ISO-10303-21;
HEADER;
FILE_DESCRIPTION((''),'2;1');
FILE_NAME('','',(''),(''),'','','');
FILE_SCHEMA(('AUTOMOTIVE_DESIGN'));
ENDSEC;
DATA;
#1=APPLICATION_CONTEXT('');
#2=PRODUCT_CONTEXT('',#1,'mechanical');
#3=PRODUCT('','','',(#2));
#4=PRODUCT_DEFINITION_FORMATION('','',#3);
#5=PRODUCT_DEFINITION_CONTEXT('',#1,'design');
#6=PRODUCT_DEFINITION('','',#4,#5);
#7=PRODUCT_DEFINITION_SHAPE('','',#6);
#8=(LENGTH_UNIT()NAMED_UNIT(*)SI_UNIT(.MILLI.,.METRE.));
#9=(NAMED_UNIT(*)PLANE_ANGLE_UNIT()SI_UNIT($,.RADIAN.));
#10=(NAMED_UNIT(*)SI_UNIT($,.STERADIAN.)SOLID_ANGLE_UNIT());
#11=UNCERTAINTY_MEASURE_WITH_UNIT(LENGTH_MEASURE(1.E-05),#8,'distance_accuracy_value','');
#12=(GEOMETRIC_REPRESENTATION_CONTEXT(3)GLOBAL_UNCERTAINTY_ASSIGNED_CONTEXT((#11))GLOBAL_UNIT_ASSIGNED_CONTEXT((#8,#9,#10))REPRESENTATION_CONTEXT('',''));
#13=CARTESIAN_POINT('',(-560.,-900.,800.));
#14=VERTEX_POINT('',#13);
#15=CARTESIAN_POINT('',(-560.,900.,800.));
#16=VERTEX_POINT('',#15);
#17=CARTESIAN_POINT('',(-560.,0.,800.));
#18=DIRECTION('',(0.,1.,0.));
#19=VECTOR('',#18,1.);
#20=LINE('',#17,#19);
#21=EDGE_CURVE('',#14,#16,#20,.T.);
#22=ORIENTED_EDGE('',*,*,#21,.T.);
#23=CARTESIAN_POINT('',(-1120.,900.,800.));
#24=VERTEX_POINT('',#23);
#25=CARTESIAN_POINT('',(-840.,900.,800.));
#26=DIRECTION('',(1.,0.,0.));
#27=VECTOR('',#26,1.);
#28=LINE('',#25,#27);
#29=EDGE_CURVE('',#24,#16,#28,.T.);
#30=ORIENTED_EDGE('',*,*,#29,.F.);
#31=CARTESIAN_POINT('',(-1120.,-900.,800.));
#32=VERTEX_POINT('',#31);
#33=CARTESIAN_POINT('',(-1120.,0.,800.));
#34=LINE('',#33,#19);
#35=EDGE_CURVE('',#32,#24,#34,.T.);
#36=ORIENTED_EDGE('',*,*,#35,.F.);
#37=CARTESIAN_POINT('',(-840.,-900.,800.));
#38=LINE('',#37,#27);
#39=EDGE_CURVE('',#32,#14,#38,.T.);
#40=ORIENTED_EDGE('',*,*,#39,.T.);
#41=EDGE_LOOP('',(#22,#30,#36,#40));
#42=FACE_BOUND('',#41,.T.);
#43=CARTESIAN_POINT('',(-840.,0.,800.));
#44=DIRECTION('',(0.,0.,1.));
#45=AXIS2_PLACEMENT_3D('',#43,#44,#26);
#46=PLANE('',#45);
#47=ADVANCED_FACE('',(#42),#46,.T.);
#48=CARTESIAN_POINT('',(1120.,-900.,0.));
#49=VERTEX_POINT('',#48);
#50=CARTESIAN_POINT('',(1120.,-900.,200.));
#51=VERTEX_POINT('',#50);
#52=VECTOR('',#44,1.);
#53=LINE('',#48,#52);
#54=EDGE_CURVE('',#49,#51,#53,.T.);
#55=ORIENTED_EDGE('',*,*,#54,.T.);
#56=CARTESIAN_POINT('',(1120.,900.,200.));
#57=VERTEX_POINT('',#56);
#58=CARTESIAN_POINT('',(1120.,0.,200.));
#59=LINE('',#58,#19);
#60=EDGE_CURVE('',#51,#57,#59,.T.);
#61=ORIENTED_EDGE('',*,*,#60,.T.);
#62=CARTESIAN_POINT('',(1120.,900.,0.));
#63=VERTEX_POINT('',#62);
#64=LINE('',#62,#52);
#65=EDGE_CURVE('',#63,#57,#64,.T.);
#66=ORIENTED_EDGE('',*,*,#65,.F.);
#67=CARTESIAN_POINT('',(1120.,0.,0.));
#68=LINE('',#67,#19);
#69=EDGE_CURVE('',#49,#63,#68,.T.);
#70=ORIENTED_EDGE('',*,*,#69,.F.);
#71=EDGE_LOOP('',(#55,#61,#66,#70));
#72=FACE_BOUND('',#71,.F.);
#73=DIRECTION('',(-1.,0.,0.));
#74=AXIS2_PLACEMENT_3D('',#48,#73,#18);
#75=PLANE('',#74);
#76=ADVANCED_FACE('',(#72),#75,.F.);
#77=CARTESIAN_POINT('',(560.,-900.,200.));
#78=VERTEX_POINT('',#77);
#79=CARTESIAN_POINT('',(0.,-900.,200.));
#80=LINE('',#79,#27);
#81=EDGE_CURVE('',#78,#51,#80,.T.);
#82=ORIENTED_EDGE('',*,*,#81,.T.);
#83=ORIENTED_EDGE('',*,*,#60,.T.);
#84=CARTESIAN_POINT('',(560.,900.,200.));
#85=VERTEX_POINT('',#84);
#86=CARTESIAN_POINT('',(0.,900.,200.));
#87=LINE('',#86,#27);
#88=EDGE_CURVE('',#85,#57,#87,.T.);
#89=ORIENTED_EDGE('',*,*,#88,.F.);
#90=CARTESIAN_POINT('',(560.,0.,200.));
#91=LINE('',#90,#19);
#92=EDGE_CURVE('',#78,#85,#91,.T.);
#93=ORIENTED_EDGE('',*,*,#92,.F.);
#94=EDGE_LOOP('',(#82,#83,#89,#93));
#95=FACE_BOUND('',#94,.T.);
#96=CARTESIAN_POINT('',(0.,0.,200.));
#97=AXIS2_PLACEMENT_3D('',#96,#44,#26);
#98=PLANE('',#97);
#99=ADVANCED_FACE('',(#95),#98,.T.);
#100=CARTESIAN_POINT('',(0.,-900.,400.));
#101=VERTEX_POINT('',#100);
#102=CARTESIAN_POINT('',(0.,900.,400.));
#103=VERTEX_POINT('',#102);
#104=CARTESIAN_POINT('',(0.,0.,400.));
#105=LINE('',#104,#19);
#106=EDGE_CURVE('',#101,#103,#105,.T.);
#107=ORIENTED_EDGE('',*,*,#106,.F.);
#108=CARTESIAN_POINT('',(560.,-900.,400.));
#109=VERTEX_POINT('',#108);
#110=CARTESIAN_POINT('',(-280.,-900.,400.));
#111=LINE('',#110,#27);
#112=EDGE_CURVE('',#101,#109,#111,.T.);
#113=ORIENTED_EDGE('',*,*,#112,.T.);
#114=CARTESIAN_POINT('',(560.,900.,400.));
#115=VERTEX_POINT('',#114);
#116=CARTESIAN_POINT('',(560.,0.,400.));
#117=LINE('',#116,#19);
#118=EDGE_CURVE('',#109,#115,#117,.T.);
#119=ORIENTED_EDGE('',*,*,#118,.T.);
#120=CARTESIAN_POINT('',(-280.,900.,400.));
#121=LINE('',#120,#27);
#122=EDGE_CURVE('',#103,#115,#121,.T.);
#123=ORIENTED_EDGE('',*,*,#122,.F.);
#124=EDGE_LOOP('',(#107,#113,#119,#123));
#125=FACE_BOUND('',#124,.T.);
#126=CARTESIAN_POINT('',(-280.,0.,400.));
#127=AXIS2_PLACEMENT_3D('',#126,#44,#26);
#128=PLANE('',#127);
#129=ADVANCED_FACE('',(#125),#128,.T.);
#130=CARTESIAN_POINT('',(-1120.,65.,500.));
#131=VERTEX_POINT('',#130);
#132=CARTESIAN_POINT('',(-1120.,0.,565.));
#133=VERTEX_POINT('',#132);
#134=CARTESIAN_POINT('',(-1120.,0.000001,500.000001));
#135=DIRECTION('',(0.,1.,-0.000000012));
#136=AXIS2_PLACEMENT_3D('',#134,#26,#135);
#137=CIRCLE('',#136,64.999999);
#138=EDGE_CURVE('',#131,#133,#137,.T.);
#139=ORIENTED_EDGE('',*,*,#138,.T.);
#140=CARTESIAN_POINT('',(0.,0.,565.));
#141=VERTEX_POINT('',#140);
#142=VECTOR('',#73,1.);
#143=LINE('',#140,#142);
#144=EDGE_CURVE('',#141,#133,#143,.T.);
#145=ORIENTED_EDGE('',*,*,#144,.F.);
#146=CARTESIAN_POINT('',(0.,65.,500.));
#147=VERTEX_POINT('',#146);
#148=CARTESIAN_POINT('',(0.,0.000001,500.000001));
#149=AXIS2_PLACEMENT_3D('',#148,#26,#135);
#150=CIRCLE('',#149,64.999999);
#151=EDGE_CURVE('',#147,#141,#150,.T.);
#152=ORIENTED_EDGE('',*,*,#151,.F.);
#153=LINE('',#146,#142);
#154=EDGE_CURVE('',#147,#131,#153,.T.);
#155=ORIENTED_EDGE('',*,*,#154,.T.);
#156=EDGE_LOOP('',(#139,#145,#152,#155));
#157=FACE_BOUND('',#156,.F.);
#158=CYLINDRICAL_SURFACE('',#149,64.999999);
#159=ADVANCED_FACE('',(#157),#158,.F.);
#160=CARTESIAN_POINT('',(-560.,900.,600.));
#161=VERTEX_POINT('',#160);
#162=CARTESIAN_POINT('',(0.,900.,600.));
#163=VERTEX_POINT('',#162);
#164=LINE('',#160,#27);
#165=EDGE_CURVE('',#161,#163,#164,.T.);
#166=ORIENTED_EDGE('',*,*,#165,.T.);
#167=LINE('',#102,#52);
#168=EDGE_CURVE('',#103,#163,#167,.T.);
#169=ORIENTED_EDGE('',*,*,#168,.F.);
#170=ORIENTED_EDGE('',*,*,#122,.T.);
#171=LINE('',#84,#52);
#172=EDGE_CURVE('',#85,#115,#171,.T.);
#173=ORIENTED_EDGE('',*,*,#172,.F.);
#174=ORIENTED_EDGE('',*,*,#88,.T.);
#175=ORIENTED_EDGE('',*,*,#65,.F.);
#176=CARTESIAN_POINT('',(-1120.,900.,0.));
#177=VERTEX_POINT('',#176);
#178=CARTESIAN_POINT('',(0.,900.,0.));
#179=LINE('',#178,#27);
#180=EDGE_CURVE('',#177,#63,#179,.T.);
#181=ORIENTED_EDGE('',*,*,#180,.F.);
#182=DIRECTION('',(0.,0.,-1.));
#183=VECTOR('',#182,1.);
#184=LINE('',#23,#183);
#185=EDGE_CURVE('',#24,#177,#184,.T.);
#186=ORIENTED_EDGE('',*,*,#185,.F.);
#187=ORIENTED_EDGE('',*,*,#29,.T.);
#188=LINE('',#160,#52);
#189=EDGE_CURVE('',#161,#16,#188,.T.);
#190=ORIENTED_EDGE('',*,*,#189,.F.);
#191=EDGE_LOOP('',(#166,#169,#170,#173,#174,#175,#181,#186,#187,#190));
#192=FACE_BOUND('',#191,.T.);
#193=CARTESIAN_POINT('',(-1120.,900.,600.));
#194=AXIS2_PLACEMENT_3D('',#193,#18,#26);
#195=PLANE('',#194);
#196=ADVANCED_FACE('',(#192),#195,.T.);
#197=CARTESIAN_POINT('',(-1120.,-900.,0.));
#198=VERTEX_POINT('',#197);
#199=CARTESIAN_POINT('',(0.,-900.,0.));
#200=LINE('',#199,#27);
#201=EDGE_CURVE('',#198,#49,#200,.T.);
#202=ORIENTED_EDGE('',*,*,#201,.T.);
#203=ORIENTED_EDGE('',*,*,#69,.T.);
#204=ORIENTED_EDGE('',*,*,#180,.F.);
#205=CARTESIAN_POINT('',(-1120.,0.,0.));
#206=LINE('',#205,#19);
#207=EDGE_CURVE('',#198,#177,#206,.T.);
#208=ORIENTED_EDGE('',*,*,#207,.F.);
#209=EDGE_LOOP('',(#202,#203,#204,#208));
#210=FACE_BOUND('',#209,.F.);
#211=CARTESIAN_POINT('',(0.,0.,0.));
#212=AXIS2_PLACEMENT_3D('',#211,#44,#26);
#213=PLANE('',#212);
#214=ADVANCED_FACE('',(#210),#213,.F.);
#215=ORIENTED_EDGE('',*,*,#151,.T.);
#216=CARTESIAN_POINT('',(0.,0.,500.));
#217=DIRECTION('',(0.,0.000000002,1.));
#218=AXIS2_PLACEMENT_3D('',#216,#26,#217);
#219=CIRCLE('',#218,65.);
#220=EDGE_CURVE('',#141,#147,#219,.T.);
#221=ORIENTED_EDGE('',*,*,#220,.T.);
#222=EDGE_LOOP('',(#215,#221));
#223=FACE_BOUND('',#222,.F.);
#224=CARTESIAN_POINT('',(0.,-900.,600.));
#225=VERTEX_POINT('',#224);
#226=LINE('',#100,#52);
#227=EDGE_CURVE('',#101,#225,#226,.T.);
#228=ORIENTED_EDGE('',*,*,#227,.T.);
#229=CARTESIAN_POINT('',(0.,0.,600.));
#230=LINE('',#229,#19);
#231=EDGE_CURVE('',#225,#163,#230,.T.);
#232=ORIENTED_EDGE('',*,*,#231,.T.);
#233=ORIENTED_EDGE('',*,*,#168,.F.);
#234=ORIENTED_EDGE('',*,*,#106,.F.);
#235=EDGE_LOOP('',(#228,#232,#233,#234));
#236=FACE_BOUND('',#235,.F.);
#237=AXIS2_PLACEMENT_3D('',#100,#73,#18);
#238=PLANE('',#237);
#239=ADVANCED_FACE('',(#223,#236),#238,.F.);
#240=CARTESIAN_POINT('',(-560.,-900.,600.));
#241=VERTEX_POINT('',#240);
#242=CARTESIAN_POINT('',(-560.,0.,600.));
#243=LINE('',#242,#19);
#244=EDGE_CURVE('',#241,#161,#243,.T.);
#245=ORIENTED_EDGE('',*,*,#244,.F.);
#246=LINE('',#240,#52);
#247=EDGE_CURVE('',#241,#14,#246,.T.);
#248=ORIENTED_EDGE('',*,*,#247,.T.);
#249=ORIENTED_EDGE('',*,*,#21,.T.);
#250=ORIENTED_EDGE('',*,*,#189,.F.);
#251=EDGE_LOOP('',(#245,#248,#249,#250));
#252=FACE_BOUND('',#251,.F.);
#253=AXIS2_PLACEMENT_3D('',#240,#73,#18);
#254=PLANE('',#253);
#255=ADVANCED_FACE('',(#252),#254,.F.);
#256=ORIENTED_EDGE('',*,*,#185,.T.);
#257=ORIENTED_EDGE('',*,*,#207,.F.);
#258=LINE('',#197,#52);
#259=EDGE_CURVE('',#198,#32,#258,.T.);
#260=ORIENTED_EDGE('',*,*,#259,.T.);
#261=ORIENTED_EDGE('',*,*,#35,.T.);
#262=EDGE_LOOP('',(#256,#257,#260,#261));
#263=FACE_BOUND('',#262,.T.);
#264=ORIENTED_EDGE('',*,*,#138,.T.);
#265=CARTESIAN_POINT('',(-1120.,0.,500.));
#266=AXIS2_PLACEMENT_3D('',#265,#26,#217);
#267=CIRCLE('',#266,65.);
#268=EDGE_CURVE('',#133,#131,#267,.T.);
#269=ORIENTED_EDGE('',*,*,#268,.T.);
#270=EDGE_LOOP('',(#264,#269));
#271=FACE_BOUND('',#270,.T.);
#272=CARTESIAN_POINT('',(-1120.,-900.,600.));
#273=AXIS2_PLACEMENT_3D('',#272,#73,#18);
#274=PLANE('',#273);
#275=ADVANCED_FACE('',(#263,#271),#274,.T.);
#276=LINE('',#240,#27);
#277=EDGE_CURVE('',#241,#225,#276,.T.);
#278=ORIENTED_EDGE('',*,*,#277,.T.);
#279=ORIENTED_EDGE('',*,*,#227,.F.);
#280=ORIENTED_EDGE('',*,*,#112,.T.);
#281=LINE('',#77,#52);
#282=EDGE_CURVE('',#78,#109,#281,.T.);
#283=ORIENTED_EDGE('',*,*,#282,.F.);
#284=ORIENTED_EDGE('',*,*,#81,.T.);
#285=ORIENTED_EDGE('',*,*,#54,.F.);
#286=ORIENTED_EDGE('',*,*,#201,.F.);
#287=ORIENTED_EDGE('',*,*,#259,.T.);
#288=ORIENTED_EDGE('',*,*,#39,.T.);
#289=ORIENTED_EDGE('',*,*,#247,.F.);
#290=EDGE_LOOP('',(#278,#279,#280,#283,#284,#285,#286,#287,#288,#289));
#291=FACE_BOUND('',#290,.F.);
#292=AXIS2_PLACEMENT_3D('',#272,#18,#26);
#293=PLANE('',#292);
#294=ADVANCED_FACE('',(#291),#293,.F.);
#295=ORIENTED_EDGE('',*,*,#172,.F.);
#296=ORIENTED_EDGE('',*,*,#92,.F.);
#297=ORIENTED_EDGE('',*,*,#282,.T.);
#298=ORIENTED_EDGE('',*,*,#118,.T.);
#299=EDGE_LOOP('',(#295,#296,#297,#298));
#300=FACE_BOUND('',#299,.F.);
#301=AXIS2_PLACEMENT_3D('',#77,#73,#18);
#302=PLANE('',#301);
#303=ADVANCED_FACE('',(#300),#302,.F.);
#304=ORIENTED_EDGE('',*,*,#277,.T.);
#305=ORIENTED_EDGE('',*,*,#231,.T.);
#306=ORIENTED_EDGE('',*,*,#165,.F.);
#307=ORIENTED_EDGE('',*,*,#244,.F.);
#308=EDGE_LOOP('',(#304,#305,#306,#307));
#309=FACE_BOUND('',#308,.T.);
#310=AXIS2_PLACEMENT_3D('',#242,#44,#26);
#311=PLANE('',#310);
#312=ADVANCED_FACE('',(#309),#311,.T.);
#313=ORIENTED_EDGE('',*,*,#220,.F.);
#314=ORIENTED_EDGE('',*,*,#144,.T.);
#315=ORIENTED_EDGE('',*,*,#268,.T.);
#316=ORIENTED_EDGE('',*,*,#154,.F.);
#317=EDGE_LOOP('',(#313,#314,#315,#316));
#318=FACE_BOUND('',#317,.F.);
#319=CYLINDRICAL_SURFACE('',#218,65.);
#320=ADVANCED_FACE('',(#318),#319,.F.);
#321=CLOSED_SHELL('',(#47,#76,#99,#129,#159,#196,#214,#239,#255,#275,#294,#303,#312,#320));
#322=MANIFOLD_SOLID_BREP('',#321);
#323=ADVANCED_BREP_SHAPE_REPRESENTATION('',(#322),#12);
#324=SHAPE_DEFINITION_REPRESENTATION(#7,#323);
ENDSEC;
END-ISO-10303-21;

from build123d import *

# Parameters (mm, degrees)
F0_W     = 2240
F0_H     = 1800
F1_DEPTH = 200
F2_W     = 1680
F2_H     = 1800
F3_DEPTH = 200
F4_W     = 1120
F4_H     = 1800
F5_DEPTH = 200
F6_W     = 560
F6_H     = 1800
F7_DEPTH = 200
F9_DEPTH = 1120


with BuildPart() as f1:
    # F0 (on Top) → F1 (new body)
    with BuildSketch(Plane.XY):
        Rectangle(F0_W, F0_H)
    extrude(amount=F1_DEPTH)

    # F2 (on face) → F3 (join)
    with BuildSketch(Plane.XY.offset(200)):
        with Locations((-280, 0)):
            Rectangle(F2_W, F2_H)
    extrude(amount=F3_DEPTH)

    # F4 (on face) → F5 (join)
    with BuildSketch(Plane.XY.offset(400)):
        with Locations((-560, 0)):
            Rectangle(F4_W, F4_H)
    extrude(amount=F5_DEPTH)

    # F6 (on face) → F7 (join)
    with BuildSketch(Plane.XY.offset(600)):
        with Locations((-840, 0)):
            Rectangle(F6_W, F6_H)
    extrude(amount=F7_DEPTH)

    # F8 (on face) → F9 (cut)
    with BuildSketch(Plane.YZ):
        with BuildLine():
            ThreePointArc((65, 500), (45.961941, 545.961941), (0, 565))
            Line((0, 565), (0, 500))
            Line((0, 500), (65, 500))
        make_face()
        with BuildLine():
            Line((0, 500), (0, 565))
            ThreePointArc((0, 565), (-45.961941, 454.038059), (65, 500))
            Line((65, 500), (0, 500))
        make_face()
    extrude(amount=-F9_DEPTH, mode=Mode.SUBTRACT)


solid = f1.part
